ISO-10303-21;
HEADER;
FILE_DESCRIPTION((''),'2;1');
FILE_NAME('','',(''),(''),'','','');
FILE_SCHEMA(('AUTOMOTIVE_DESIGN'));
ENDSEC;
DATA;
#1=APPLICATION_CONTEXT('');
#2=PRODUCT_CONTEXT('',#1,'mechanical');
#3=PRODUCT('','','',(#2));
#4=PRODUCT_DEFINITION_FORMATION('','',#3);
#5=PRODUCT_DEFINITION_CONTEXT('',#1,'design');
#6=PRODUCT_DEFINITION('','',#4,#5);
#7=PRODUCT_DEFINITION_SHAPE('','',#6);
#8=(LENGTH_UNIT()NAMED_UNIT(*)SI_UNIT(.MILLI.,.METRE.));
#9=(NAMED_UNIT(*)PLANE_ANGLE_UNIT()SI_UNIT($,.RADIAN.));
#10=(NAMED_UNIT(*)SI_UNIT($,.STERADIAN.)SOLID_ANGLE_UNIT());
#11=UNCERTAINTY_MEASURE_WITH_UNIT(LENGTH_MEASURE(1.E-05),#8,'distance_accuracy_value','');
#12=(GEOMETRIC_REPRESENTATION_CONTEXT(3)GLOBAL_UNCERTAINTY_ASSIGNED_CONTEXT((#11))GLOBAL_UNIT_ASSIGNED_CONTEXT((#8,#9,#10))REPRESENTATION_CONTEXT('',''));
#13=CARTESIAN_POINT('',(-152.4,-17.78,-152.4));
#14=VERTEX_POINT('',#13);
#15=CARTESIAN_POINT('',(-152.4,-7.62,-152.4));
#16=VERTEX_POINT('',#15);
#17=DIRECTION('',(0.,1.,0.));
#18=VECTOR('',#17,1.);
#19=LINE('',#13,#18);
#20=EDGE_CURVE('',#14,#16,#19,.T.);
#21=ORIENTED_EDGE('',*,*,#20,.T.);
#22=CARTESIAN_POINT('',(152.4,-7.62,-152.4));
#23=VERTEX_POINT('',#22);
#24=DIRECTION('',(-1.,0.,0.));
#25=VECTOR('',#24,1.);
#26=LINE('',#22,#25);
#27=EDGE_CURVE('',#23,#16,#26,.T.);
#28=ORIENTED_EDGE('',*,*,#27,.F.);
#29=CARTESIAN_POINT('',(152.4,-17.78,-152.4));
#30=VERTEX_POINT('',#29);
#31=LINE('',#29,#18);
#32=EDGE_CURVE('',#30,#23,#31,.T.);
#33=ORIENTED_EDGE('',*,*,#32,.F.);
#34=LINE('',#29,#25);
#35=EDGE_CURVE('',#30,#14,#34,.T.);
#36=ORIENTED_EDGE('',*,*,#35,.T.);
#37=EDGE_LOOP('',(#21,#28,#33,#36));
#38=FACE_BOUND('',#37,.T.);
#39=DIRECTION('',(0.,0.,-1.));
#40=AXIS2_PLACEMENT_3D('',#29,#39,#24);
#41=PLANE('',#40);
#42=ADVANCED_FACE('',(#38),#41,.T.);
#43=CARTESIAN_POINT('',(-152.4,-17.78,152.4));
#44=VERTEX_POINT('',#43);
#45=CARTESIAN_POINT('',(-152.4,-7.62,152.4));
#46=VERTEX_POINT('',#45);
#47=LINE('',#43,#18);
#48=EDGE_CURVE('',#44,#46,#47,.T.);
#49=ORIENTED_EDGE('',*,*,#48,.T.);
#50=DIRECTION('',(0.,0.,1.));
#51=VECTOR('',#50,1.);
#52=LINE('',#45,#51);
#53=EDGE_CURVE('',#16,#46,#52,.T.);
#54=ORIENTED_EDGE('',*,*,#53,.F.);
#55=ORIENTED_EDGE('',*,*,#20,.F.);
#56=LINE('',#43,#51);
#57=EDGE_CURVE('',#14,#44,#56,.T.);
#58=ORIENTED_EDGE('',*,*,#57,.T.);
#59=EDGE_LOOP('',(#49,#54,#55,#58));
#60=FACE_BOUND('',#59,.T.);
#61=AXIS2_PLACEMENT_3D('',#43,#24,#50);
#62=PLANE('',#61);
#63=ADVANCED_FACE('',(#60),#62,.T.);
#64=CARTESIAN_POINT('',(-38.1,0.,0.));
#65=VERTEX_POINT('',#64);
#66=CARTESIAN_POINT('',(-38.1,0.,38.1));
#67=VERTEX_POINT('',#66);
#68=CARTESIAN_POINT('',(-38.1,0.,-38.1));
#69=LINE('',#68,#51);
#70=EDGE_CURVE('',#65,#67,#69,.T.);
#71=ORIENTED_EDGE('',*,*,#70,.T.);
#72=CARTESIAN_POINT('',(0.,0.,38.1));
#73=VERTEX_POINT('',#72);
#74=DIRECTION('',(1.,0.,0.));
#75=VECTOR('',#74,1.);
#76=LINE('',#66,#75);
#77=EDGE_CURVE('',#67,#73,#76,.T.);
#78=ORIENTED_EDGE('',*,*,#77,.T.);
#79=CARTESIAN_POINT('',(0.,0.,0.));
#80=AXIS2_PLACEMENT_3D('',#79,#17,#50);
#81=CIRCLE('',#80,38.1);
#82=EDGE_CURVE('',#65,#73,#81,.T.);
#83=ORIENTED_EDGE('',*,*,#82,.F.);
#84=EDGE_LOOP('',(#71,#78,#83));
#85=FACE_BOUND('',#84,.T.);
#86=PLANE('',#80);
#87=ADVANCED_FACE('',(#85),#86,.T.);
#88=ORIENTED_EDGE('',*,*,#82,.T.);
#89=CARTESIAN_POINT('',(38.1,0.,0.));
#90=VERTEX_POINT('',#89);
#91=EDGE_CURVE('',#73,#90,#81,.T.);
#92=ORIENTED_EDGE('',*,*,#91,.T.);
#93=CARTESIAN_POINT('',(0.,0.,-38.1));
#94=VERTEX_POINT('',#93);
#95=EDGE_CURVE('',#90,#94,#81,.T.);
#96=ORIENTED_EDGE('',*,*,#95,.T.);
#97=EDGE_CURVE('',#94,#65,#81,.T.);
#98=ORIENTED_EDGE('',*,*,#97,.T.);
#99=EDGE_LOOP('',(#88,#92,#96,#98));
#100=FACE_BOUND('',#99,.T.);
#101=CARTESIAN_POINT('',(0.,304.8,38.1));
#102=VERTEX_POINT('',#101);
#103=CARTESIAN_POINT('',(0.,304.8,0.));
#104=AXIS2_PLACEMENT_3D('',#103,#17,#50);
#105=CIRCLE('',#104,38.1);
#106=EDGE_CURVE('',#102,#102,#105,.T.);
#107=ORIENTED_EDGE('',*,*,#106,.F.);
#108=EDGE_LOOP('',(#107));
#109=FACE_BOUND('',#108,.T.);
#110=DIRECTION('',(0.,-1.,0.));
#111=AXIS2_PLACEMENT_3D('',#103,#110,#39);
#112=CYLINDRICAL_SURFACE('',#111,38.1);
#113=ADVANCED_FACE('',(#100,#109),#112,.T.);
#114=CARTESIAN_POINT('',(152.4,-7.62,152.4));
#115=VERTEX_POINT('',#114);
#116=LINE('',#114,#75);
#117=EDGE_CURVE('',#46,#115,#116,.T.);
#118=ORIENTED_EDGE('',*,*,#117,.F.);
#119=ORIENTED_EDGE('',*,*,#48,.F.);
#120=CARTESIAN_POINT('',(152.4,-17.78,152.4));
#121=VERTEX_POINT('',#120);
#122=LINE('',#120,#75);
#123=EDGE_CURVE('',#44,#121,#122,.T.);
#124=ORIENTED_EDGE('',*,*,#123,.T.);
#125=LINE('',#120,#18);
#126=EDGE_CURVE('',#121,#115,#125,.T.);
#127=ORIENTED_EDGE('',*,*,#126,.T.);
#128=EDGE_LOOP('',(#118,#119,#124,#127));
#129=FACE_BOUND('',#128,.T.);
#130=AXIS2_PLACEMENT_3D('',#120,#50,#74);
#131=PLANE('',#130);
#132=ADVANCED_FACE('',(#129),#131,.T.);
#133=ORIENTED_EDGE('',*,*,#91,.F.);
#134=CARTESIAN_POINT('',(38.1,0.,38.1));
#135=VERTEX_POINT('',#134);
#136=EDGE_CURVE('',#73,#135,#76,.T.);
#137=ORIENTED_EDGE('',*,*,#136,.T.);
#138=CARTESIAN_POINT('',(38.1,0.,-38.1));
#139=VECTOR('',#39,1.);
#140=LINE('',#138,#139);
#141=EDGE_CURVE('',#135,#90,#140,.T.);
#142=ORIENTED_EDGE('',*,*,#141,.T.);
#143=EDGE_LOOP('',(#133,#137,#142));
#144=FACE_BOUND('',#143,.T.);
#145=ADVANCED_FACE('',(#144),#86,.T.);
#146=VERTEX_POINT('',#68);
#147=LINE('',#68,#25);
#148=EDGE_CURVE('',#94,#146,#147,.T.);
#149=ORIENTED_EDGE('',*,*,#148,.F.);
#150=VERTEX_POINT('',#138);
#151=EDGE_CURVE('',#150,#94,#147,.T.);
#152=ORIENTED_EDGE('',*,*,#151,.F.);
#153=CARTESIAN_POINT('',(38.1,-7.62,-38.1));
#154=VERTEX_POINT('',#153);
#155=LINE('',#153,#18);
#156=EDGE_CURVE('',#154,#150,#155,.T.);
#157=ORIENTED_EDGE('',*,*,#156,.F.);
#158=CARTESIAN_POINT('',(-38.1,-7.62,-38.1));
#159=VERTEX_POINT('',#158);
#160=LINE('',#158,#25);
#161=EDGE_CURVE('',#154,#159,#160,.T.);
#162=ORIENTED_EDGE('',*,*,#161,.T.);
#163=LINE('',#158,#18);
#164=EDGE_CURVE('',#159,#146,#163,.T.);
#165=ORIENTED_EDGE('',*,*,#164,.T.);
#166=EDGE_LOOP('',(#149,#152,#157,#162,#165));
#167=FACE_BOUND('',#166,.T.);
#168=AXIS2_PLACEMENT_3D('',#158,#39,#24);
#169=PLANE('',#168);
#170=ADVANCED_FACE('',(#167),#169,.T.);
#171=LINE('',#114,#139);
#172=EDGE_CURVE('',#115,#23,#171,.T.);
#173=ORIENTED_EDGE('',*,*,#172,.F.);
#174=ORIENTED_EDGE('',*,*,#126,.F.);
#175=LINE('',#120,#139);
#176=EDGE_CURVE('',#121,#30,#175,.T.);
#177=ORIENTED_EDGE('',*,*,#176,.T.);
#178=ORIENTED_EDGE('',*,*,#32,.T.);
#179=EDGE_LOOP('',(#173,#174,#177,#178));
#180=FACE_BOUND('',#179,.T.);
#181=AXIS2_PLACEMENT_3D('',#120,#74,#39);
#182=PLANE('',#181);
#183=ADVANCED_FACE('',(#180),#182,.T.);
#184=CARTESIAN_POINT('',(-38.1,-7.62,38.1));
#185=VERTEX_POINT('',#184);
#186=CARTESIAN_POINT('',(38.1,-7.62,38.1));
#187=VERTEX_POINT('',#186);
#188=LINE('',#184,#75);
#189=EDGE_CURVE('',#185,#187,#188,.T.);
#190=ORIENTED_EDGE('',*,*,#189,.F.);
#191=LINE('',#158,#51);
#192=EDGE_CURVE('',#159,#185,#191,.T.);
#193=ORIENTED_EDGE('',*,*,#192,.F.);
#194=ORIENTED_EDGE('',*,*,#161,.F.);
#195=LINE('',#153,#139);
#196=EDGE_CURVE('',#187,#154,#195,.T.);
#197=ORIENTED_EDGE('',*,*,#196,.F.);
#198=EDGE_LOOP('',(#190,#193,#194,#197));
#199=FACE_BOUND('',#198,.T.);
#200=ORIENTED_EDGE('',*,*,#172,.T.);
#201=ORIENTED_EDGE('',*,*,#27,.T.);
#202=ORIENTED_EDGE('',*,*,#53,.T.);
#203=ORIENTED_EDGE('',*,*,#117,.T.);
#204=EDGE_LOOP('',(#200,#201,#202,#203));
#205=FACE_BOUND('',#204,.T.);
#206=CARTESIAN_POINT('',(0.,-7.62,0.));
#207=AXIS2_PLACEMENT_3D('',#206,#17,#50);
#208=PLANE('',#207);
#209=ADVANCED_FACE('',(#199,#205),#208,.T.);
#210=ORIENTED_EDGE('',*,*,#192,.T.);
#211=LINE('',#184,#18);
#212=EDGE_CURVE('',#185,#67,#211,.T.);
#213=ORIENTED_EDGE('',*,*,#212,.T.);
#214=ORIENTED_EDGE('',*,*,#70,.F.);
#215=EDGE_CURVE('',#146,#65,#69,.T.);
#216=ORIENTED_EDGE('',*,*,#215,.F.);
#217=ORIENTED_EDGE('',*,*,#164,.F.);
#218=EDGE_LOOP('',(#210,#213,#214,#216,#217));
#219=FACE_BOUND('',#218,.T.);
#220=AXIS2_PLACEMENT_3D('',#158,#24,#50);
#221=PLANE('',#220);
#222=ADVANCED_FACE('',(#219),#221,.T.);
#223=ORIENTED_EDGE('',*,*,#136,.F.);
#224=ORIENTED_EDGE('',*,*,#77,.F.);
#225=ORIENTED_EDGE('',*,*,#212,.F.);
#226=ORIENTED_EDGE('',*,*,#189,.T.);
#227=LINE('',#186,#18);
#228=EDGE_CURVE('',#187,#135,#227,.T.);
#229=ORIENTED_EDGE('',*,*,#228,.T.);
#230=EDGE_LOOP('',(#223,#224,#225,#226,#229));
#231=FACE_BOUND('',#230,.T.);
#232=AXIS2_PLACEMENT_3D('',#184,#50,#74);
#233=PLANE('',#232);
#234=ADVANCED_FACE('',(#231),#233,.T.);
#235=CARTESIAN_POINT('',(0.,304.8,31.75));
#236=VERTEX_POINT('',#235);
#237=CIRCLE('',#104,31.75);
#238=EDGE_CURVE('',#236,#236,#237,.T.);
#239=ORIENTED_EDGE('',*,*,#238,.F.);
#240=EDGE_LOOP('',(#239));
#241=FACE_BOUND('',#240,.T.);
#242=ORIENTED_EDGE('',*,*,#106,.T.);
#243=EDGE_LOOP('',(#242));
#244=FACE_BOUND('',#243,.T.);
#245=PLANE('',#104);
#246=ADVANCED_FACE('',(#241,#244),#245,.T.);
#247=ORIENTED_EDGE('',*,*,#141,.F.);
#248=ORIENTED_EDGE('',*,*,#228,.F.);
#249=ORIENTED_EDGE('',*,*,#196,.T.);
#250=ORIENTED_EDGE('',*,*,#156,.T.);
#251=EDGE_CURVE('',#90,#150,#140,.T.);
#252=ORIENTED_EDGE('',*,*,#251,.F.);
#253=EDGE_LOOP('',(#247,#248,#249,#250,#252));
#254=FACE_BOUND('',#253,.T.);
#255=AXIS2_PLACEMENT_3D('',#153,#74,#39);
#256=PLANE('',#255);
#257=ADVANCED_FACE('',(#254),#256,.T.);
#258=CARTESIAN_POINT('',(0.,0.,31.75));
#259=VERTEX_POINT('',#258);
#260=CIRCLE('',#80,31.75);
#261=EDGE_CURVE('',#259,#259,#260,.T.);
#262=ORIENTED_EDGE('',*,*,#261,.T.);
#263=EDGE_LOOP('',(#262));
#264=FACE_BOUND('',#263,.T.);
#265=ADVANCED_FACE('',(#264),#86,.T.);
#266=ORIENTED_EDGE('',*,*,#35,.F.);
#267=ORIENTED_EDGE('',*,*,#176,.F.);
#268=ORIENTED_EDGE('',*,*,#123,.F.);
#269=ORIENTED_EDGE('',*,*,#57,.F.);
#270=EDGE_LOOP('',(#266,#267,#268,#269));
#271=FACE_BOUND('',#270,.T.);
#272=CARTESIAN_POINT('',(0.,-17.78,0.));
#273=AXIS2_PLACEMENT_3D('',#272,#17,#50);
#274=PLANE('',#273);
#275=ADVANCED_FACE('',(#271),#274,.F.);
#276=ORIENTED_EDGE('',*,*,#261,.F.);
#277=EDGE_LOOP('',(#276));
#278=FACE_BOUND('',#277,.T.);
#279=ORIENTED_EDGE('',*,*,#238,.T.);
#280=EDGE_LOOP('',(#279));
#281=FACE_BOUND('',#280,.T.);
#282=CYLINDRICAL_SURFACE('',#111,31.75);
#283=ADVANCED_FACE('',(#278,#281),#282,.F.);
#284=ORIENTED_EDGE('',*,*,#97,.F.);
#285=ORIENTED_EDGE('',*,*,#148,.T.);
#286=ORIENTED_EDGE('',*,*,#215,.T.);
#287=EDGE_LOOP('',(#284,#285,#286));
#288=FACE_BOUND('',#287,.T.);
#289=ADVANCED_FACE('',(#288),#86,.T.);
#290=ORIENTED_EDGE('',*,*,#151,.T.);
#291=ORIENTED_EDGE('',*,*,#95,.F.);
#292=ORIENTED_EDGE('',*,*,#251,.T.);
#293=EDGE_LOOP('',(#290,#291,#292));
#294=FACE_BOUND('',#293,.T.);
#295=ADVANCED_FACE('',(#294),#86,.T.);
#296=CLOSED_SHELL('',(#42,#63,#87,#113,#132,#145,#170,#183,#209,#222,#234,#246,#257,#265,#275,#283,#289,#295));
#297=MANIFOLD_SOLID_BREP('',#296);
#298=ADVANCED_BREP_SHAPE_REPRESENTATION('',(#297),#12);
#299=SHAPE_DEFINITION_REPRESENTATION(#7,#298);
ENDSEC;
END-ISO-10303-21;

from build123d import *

# Parameters (mm, degrees)
SKETCH1_R           = 38.1
SKETCH1_R_2         = 31.75
BOSS_EXTRUDE1_DEPTH = 304.8
SKETCH2_W           = 76.2
SKETCH2_H           = 76.2
BOSS_EXTRUDE2_DEPTH = 7.62
SKETCH4_W           = 304.8
SKETCH4_H           = 304.8
BOSS_EXTRUDE4_DEPTH = 10.16


with BuildPart() as part:
    # Sketch1 → Boss-Extrude1 (new body)
    with BuildSketch(Plane(origin=(0, 0, 0), x_dir=(1, 0, 0), z_dir=(0, 1, 0))):
        Circle(SKETCH1_R)
        Circle(SKETCH1_R_2, mode=Mode.SUBTRACT)
    extrude(amount=BOSS_EXTRUDE1_DEPTH)

    # Sketch2 → Boss-Extrude2 (add)
    with BuildSketch(Plane(origin=(0, 0, 0), x_dir=(1, 0, 0), z_dir=(0, 1, 0))):
        Rectangle(SKETCH2_W, SKETCH2_H)
    extrude(amount=-BOSS_EXTRUDE2_DEPTH)

    # Sketch4 → Boss-Extrude4 (add)
    with BuildSketch(Plane(origin=(0, -7.62, 0), x_dir=(1, 0, 0), z_dir=(0, 1, 0))):
        Rectangle(SKETCH4_W, SKETCH4_H)
    extrude(amount=-BOSS_EXTRUDE4_DEPTH)


solid = part.part
